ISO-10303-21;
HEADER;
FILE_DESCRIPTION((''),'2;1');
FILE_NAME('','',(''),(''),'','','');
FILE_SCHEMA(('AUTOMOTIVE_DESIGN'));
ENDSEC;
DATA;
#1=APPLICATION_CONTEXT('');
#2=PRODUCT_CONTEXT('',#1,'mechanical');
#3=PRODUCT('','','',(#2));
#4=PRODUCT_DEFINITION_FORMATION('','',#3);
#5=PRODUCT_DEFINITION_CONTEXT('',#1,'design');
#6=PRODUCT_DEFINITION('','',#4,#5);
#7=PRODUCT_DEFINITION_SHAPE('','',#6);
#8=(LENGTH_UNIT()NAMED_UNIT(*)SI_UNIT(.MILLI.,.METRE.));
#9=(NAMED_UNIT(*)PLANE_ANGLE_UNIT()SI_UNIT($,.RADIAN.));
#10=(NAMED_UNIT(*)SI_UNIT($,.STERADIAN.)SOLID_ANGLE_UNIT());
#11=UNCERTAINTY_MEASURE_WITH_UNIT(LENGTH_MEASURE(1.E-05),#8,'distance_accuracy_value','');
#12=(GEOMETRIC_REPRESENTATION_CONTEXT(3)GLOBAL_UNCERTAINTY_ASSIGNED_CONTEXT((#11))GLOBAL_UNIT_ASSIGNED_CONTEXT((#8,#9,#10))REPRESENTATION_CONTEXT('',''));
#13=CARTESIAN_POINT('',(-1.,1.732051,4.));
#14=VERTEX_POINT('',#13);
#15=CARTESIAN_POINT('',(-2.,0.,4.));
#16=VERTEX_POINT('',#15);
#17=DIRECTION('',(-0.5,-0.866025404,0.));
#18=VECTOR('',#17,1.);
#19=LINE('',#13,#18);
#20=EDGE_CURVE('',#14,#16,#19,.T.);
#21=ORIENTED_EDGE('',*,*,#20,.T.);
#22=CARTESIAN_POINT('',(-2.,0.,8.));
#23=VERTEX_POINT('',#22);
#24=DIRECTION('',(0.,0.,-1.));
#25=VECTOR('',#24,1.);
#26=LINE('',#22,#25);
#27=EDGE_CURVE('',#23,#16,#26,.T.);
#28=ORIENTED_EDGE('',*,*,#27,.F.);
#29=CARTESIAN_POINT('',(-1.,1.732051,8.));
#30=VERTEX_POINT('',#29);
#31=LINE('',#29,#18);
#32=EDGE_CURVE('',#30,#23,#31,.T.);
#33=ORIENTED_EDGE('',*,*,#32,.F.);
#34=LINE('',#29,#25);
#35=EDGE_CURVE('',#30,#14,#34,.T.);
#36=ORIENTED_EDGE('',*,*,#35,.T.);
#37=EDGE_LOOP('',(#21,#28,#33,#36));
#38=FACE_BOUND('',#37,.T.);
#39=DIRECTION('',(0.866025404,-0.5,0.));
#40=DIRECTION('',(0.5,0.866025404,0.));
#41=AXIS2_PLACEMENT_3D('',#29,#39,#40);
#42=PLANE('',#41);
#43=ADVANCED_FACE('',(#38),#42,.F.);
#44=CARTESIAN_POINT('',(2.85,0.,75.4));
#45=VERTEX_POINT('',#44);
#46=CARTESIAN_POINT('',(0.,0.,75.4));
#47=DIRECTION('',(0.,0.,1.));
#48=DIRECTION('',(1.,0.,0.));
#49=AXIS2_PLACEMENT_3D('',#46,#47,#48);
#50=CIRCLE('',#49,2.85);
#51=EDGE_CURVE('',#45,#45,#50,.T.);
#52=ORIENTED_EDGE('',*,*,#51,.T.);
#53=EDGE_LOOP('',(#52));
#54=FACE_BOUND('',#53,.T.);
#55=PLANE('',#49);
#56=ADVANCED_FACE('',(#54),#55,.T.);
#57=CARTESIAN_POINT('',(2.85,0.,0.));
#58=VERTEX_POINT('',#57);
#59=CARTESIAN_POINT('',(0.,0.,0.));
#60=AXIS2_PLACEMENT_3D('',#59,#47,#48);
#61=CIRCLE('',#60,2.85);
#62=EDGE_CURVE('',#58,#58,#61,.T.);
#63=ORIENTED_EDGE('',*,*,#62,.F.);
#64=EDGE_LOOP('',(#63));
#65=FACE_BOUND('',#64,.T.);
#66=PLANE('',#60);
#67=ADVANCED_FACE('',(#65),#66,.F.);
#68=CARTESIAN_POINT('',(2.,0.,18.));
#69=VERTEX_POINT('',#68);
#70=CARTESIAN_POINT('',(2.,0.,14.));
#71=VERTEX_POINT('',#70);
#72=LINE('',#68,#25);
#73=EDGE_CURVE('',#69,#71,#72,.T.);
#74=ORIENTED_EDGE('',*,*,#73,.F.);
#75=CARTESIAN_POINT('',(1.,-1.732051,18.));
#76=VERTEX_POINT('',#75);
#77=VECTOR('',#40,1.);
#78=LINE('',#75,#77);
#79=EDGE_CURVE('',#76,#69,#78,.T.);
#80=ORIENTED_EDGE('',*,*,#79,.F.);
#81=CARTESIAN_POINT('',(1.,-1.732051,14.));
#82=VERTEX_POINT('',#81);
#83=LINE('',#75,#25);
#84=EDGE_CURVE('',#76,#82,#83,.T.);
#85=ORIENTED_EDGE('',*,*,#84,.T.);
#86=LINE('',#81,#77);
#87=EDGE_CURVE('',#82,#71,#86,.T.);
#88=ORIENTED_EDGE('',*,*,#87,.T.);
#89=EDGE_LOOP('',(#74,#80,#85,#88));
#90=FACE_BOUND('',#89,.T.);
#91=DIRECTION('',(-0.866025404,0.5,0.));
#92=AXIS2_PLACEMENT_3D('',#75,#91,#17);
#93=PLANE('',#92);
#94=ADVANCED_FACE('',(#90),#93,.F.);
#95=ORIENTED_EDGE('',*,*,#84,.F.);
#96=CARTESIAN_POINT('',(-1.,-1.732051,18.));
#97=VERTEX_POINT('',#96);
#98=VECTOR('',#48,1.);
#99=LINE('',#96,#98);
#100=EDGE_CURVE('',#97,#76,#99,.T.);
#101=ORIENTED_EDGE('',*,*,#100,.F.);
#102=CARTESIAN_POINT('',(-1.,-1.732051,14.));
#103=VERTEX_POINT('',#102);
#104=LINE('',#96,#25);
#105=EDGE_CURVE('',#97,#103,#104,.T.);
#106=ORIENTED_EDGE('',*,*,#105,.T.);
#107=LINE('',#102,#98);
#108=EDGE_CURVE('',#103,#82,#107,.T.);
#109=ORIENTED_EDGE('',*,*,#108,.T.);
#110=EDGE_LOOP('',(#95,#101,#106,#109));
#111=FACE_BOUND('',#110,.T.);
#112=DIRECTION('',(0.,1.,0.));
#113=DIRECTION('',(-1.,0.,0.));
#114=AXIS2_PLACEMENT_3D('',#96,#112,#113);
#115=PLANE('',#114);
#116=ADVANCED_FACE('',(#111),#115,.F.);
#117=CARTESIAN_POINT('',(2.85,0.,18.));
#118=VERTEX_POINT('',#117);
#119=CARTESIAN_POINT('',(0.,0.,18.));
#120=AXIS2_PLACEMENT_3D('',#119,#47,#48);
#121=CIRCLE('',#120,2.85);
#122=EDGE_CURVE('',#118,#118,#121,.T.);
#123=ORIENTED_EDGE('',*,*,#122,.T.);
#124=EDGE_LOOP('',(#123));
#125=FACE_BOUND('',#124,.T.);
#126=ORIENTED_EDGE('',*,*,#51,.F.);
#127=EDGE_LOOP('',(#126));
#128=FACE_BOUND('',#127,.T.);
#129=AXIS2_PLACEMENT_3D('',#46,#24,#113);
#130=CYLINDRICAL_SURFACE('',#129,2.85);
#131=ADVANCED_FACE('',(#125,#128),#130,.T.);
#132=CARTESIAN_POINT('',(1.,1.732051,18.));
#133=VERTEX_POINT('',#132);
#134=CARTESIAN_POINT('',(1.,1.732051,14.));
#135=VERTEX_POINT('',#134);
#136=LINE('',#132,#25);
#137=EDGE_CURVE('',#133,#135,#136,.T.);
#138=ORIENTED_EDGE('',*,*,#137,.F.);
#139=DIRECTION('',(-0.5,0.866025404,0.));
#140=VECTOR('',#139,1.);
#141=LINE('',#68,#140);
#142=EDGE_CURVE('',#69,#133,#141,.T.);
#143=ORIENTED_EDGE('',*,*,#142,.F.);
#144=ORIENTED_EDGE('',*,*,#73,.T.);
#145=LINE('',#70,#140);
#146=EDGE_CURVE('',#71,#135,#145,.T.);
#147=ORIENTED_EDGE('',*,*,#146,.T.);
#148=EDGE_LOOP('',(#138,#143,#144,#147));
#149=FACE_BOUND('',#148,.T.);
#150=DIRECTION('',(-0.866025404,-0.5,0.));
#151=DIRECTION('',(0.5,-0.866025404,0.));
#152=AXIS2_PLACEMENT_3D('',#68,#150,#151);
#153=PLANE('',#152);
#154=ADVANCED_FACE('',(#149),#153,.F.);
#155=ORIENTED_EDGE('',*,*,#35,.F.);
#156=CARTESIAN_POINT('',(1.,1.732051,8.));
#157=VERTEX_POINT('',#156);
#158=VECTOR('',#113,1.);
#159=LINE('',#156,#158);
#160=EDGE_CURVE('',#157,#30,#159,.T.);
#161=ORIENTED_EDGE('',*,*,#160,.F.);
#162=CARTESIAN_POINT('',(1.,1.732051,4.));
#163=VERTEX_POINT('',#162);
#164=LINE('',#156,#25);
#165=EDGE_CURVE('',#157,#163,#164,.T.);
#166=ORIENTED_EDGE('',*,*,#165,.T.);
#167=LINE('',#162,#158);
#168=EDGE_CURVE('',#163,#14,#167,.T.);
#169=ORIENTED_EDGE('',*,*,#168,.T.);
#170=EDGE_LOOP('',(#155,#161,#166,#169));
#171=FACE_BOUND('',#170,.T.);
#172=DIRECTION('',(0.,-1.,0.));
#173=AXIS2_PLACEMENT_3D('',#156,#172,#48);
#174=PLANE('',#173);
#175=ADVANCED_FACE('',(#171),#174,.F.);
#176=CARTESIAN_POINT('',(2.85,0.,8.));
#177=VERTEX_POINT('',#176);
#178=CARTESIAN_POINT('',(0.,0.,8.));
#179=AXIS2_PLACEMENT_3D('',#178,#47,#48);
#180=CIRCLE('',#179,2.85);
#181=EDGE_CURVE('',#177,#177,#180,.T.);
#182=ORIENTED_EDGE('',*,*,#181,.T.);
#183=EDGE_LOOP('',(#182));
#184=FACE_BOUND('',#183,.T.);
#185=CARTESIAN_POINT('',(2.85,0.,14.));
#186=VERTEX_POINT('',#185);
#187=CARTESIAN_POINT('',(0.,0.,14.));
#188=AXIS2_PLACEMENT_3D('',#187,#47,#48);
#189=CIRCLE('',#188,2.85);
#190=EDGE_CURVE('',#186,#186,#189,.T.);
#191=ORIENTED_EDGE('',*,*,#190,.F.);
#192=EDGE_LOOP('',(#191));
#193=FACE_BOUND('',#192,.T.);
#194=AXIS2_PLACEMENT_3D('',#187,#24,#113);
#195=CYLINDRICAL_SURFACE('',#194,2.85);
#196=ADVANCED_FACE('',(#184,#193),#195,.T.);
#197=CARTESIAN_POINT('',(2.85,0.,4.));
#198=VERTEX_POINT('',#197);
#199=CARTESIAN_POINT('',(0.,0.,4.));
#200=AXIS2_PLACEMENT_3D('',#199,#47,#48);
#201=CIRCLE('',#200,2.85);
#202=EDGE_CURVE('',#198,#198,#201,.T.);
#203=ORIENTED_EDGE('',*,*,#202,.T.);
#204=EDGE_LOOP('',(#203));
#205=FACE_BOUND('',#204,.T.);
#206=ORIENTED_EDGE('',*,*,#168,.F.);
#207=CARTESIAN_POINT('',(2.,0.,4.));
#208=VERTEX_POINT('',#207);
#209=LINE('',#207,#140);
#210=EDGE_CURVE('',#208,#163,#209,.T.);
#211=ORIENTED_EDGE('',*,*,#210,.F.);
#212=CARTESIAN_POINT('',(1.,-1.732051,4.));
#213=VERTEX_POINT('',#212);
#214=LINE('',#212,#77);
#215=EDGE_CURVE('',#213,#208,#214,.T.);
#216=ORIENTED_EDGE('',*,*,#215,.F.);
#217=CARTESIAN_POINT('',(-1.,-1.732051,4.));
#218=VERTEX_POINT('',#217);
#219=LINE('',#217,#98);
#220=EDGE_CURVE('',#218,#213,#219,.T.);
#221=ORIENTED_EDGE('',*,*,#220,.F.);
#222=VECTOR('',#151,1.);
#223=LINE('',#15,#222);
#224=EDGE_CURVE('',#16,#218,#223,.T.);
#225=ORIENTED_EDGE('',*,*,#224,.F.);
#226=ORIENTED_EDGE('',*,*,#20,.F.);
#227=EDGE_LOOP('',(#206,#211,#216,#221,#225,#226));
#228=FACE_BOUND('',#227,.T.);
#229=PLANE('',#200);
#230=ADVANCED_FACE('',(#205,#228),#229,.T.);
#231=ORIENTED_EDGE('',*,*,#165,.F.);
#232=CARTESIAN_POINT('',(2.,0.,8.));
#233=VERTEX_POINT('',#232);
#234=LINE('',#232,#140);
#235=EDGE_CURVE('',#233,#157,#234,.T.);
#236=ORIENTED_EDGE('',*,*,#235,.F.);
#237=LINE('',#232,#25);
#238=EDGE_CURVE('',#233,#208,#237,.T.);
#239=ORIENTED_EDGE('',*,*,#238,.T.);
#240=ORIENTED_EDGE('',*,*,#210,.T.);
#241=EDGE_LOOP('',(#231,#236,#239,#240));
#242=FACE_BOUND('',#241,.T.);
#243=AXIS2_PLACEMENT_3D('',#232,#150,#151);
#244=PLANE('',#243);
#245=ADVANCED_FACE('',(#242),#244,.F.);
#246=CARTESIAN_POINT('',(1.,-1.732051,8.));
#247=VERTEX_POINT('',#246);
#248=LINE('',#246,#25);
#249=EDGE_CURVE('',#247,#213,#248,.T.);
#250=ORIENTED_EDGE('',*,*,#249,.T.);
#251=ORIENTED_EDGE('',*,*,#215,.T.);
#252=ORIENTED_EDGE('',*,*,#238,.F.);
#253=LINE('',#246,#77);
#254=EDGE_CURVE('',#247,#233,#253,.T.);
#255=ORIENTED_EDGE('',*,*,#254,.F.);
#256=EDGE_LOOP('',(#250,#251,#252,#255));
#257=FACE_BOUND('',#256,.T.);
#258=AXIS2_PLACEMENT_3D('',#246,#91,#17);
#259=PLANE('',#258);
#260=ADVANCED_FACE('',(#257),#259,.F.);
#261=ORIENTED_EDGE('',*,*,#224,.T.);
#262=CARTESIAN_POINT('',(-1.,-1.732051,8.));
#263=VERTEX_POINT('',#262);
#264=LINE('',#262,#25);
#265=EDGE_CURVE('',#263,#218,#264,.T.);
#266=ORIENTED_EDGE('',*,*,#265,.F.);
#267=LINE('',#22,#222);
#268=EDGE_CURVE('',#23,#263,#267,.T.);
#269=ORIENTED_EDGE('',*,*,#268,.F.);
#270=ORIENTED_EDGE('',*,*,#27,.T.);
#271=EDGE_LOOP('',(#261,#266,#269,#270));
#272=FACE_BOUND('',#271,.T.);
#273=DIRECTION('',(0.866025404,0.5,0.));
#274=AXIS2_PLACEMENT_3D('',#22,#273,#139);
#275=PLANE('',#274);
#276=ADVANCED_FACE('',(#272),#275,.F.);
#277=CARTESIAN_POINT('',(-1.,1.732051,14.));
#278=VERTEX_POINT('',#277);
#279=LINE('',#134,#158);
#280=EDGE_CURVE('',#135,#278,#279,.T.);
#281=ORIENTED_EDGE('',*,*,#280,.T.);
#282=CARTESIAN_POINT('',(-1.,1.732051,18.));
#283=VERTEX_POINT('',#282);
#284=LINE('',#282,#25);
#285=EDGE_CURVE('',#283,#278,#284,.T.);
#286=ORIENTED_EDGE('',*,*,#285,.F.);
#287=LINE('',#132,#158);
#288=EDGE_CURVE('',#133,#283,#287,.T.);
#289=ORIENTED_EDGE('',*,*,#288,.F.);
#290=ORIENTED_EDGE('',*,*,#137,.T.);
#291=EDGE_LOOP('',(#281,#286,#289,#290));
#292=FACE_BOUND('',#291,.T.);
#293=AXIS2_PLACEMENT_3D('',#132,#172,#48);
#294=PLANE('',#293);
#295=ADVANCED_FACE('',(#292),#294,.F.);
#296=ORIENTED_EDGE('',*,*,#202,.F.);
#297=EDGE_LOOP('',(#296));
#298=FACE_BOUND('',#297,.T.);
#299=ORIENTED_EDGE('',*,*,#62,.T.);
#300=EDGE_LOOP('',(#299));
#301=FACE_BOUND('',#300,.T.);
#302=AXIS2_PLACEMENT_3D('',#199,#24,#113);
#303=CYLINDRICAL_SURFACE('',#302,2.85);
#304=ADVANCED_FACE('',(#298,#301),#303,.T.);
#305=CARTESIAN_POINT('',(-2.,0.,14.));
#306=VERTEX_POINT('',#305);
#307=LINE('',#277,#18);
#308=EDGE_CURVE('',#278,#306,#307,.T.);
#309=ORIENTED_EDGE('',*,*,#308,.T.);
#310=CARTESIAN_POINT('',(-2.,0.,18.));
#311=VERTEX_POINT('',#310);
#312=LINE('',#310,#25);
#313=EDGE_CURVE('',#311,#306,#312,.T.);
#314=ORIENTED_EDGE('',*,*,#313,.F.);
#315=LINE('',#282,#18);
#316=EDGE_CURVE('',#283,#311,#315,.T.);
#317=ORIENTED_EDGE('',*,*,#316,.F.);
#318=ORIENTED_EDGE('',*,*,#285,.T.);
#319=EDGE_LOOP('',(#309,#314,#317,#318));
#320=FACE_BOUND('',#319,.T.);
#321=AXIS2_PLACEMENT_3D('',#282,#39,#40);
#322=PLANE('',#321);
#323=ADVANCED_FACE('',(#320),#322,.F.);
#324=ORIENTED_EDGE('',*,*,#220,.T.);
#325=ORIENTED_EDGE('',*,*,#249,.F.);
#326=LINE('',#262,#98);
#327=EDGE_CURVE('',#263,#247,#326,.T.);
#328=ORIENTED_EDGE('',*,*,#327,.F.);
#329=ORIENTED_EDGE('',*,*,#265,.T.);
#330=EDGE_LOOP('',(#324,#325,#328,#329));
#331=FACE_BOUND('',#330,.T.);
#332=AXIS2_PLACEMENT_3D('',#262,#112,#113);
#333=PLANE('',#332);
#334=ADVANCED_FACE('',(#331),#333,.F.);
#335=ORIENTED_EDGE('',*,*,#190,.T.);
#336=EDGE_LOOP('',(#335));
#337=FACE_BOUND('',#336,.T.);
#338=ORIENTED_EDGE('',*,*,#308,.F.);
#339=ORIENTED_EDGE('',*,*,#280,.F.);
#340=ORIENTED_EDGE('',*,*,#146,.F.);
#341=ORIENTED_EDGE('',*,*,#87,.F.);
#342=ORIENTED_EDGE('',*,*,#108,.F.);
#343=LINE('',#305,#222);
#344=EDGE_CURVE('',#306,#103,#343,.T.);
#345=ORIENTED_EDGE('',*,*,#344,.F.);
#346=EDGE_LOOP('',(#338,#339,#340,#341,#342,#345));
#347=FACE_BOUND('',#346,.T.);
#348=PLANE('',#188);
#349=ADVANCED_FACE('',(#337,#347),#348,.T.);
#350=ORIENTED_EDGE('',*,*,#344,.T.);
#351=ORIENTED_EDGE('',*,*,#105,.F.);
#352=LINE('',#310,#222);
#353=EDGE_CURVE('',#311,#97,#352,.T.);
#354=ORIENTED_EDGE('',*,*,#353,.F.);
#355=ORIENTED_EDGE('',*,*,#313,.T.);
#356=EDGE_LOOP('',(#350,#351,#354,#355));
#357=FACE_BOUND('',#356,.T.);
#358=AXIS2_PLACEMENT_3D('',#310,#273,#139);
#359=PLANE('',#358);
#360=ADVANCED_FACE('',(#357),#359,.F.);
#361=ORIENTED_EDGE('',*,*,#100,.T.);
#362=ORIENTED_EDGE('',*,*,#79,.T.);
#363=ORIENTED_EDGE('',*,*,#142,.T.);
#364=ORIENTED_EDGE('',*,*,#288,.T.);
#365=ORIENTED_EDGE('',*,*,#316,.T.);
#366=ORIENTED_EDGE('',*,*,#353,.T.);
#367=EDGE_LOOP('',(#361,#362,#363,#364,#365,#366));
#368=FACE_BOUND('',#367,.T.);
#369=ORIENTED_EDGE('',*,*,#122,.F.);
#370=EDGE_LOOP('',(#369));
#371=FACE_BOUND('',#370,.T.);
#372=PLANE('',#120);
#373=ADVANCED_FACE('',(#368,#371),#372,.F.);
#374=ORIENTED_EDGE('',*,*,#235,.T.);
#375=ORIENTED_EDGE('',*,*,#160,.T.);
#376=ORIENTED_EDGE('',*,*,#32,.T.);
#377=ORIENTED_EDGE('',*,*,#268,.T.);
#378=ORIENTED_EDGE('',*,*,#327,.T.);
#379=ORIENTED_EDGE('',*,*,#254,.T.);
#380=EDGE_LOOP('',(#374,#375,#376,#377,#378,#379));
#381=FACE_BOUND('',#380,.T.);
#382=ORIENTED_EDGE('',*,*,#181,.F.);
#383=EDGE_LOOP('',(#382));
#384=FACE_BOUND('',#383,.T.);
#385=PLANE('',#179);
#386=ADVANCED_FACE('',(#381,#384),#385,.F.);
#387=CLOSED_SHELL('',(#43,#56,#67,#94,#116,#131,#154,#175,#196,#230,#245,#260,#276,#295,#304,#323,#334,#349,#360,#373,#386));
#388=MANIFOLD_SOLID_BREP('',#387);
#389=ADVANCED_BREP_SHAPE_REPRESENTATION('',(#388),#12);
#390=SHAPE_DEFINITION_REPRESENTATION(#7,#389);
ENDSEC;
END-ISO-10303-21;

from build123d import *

# Parameters (mm, degrees)
SKETCH_1_R      = 2.85
EXTRUDE_1_DEPTH = 4
EXTRUDE_2_DEPTH = 4
SKETCH_3_R      = 2.85
EXTRUDE_3_DEPTH = 6
EXTRUDE_4_DEPTH = 4
SKETCH_6_R      = 2.85
EXTRUDE_5_DEPTH = 57.4


with BuildPart() as part:
    # 草图1 → 凸台-拉伸1 (new body)
    with BuildSketch(Plane.XY):
        Circle(SKETCH_1_R)
    extrude(amount=EXTRUDE_1_DEPTH)

    # 草图2 → 凸台-拉伸2 (add)
    with BuildSketch(Plane.XY.offset(4)):
        Polygon((2, 0), (1, 1.732050808), (-1, 1.732050808), (-2, 0), (-1, -1.732050808), (1, -1.732050808), align=None)
    extrude(amount=EXTRUDE_2_DEPTH)

    # 草图3 → 凸台-拉伸3 (add)
    with BuildSketch(Plane.XY.offset(8)):
        Circle(SKETCH_3_R)
    extrude(amount=EXTRUDE_3_DEPTH)

    # 草图4 → 凸台-拉伸4 (add)
    with BuildSketch(Plane.XY.offset(14)):
        Polygon((2, 0), (1, 1.732050808), (-1, 1.732050808), (-2, 0), (-1, -1.732050808), (1, -1.732050808), align=None)
    extrude(amount=EXTRUDE_4_DEPTH)

    # 草图6 → 凸台-拉伸5 (add)
    with BuildSketch(Plane.XY.offset(18)):
        Circle(SKETCH_6_R)
    extrude(amount=EXTRUDE_5_DEPTH)


solid = part.part
